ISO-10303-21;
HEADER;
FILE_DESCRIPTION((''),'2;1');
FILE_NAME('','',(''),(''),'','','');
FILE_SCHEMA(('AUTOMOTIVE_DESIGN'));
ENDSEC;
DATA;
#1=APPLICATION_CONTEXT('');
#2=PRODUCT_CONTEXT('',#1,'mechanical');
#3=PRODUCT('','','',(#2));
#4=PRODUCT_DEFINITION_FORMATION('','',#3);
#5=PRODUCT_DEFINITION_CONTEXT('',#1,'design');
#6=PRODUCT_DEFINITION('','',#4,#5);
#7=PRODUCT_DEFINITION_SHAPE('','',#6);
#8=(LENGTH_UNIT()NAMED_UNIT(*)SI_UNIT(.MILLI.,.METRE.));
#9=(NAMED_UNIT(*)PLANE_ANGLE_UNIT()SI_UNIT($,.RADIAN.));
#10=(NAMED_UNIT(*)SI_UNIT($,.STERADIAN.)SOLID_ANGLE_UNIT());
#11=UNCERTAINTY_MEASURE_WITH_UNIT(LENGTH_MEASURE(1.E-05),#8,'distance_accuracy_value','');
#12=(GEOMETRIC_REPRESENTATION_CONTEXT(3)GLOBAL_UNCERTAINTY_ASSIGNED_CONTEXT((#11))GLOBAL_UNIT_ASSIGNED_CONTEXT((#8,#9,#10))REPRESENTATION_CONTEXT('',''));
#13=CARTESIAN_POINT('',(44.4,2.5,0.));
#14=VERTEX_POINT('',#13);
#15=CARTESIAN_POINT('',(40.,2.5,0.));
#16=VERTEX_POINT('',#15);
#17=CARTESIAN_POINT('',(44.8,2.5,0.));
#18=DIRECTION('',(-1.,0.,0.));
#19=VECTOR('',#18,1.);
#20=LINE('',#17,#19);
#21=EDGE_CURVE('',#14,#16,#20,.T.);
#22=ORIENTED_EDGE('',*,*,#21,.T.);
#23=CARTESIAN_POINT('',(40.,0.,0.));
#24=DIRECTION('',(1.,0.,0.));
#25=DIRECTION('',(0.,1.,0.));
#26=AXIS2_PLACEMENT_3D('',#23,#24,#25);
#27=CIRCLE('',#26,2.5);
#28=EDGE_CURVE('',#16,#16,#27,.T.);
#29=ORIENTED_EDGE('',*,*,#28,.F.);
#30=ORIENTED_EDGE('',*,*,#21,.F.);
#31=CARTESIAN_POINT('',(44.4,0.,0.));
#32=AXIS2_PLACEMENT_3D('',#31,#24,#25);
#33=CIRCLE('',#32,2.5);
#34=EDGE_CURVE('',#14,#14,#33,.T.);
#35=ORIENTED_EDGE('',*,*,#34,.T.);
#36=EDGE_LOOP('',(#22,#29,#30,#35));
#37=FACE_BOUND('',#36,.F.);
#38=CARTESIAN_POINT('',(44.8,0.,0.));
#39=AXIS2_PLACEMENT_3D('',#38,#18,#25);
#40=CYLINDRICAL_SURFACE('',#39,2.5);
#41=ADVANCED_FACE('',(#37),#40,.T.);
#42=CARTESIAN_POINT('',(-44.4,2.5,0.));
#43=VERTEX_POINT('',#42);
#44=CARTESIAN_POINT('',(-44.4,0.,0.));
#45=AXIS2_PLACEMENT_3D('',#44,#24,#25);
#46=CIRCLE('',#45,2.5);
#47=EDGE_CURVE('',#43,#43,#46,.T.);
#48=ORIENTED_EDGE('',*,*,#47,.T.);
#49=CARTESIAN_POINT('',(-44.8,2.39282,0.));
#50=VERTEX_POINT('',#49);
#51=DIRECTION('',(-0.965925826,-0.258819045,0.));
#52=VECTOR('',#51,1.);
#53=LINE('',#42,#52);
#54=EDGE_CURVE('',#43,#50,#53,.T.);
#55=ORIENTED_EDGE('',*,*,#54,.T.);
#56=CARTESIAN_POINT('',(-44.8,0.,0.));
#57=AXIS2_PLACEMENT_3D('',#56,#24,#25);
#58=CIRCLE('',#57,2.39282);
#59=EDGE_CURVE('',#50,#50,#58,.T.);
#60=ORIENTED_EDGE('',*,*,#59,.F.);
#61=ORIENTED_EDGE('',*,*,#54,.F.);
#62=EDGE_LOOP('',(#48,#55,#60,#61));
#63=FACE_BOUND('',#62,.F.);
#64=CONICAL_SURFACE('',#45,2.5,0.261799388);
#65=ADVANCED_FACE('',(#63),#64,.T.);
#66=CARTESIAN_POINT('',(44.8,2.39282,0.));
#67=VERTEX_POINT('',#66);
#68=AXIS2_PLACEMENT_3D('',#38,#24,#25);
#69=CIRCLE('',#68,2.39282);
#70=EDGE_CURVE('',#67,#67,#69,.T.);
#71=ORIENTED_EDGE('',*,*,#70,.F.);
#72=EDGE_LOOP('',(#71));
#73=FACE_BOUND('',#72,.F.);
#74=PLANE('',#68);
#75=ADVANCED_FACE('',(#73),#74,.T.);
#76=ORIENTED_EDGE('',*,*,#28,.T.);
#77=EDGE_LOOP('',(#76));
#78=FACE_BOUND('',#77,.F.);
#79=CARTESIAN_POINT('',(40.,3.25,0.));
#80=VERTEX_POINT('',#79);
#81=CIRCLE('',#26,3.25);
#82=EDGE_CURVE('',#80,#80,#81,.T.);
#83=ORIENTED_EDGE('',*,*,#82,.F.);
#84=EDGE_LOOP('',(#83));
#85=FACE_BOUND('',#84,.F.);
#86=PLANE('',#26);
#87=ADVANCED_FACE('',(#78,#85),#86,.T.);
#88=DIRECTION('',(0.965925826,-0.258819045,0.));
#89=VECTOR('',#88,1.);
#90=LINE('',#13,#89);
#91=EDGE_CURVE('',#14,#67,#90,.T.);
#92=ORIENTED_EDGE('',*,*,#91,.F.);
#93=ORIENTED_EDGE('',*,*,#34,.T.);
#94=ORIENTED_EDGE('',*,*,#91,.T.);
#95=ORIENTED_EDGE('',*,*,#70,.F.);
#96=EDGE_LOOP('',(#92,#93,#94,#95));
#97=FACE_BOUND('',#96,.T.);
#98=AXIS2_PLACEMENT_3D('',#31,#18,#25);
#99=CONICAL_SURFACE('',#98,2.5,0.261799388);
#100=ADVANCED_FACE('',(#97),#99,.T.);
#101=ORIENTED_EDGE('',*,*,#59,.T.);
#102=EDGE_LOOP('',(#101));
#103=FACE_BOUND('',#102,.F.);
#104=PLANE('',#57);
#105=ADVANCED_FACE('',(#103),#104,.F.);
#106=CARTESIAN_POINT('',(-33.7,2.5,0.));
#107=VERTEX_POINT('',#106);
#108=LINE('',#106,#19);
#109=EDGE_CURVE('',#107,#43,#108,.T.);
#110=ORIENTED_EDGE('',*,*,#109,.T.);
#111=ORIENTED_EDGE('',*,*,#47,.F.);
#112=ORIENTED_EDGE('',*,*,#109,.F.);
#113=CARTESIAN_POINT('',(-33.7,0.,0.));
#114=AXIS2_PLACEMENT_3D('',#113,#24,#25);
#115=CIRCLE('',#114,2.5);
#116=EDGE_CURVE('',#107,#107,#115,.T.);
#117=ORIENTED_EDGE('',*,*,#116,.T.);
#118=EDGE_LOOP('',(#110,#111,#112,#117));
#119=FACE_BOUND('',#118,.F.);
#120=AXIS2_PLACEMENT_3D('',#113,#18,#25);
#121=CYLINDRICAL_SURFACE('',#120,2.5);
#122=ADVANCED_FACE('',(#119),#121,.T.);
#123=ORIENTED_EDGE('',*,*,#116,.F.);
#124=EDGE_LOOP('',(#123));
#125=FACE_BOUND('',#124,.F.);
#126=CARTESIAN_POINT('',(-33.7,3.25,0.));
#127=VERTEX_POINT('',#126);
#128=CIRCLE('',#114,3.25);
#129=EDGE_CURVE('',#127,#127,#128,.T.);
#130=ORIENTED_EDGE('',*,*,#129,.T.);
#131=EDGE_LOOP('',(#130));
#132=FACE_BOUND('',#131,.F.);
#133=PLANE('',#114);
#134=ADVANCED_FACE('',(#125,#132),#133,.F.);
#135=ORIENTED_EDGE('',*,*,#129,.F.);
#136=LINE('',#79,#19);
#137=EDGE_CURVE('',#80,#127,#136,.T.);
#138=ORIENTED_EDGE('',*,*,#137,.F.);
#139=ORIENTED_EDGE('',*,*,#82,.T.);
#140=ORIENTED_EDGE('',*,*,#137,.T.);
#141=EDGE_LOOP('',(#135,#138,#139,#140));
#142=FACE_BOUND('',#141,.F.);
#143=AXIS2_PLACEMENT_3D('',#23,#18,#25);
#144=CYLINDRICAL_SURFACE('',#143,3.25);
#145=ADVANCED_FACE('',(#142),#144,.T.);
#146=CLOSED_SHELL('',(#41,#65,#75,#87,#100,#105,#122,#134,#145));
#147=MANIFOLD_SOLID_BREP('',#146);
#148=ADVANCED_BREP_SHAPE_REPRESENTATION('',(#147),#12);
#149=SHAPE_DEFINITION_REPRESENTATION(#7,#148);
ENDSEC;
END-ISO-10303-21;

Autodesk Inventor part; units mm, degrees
ref_plane "YZ Plane" through (0, 0, 0) normal (1, 0, 0) x (0, 1, 0)
ref_plane "XZ Plane" through (0, 0, 0) normal (0, 1, 0) x (-1, 0, 0)
ref_plane "XY Plane" through (0, 0, 0) normal (0, 0, 1) x (1, 0, 0)
sketch "Skizze1" plane through (0, 0, 0) normal (0, 0, 1) x (1, 0, 0)
  line L0 (-44.8, 0) -> (44.8, 0)
  line L1 (44.8, 0) -> (44.8, 2.5)
  line L2 (44.8, 2.5) -> (40, 2.5)
  line L3 (40, 2.5) -> (40, 3.25)
  line L4 (40, 3.25) -> (-33.7, 3.25)
  line L5 (-33.7, 3.25) -> (-33.7, 2.5)
  line L6 (-33.7, 2.5) -> (-44.8, 2.5)
  line L7 (-44.8, 2.5) -> (-44.8, 0)
  line L8 (0, 3.9) -> (0, -0.65) projected
  line L9 (-39.8, 2.5) -> (-39.8, 0) construction
  point P0 (0, 0)
  dimension "d1" = 4.8
  dimension "d2" = 5
  dimension "d4" = 6.5
  dimension "d18" = 5
  dimension "d20" = 79.8
  dimension "d22" = 6.1
  dimension "d23" = 5
revolve "Umdrehung1" add sketch "Skizze1" angle 360 about axis through (-44.8, 0, 0) along (1, 0, 0)
chamfer "Fase2" distance 0.4 angle 15 1 edges at (-44.8, -2.5, 0) measured on face at (-41.1, 2.4919, -0.2012)
chamfer "Fase3" distance 0.4 angle 15 1 edges at (44.8, -2.5, 0) measured on face at (41.6, 2.4919, -0.2012)
properties part number "Dribblingwelle" material "Aluminium 6061"
